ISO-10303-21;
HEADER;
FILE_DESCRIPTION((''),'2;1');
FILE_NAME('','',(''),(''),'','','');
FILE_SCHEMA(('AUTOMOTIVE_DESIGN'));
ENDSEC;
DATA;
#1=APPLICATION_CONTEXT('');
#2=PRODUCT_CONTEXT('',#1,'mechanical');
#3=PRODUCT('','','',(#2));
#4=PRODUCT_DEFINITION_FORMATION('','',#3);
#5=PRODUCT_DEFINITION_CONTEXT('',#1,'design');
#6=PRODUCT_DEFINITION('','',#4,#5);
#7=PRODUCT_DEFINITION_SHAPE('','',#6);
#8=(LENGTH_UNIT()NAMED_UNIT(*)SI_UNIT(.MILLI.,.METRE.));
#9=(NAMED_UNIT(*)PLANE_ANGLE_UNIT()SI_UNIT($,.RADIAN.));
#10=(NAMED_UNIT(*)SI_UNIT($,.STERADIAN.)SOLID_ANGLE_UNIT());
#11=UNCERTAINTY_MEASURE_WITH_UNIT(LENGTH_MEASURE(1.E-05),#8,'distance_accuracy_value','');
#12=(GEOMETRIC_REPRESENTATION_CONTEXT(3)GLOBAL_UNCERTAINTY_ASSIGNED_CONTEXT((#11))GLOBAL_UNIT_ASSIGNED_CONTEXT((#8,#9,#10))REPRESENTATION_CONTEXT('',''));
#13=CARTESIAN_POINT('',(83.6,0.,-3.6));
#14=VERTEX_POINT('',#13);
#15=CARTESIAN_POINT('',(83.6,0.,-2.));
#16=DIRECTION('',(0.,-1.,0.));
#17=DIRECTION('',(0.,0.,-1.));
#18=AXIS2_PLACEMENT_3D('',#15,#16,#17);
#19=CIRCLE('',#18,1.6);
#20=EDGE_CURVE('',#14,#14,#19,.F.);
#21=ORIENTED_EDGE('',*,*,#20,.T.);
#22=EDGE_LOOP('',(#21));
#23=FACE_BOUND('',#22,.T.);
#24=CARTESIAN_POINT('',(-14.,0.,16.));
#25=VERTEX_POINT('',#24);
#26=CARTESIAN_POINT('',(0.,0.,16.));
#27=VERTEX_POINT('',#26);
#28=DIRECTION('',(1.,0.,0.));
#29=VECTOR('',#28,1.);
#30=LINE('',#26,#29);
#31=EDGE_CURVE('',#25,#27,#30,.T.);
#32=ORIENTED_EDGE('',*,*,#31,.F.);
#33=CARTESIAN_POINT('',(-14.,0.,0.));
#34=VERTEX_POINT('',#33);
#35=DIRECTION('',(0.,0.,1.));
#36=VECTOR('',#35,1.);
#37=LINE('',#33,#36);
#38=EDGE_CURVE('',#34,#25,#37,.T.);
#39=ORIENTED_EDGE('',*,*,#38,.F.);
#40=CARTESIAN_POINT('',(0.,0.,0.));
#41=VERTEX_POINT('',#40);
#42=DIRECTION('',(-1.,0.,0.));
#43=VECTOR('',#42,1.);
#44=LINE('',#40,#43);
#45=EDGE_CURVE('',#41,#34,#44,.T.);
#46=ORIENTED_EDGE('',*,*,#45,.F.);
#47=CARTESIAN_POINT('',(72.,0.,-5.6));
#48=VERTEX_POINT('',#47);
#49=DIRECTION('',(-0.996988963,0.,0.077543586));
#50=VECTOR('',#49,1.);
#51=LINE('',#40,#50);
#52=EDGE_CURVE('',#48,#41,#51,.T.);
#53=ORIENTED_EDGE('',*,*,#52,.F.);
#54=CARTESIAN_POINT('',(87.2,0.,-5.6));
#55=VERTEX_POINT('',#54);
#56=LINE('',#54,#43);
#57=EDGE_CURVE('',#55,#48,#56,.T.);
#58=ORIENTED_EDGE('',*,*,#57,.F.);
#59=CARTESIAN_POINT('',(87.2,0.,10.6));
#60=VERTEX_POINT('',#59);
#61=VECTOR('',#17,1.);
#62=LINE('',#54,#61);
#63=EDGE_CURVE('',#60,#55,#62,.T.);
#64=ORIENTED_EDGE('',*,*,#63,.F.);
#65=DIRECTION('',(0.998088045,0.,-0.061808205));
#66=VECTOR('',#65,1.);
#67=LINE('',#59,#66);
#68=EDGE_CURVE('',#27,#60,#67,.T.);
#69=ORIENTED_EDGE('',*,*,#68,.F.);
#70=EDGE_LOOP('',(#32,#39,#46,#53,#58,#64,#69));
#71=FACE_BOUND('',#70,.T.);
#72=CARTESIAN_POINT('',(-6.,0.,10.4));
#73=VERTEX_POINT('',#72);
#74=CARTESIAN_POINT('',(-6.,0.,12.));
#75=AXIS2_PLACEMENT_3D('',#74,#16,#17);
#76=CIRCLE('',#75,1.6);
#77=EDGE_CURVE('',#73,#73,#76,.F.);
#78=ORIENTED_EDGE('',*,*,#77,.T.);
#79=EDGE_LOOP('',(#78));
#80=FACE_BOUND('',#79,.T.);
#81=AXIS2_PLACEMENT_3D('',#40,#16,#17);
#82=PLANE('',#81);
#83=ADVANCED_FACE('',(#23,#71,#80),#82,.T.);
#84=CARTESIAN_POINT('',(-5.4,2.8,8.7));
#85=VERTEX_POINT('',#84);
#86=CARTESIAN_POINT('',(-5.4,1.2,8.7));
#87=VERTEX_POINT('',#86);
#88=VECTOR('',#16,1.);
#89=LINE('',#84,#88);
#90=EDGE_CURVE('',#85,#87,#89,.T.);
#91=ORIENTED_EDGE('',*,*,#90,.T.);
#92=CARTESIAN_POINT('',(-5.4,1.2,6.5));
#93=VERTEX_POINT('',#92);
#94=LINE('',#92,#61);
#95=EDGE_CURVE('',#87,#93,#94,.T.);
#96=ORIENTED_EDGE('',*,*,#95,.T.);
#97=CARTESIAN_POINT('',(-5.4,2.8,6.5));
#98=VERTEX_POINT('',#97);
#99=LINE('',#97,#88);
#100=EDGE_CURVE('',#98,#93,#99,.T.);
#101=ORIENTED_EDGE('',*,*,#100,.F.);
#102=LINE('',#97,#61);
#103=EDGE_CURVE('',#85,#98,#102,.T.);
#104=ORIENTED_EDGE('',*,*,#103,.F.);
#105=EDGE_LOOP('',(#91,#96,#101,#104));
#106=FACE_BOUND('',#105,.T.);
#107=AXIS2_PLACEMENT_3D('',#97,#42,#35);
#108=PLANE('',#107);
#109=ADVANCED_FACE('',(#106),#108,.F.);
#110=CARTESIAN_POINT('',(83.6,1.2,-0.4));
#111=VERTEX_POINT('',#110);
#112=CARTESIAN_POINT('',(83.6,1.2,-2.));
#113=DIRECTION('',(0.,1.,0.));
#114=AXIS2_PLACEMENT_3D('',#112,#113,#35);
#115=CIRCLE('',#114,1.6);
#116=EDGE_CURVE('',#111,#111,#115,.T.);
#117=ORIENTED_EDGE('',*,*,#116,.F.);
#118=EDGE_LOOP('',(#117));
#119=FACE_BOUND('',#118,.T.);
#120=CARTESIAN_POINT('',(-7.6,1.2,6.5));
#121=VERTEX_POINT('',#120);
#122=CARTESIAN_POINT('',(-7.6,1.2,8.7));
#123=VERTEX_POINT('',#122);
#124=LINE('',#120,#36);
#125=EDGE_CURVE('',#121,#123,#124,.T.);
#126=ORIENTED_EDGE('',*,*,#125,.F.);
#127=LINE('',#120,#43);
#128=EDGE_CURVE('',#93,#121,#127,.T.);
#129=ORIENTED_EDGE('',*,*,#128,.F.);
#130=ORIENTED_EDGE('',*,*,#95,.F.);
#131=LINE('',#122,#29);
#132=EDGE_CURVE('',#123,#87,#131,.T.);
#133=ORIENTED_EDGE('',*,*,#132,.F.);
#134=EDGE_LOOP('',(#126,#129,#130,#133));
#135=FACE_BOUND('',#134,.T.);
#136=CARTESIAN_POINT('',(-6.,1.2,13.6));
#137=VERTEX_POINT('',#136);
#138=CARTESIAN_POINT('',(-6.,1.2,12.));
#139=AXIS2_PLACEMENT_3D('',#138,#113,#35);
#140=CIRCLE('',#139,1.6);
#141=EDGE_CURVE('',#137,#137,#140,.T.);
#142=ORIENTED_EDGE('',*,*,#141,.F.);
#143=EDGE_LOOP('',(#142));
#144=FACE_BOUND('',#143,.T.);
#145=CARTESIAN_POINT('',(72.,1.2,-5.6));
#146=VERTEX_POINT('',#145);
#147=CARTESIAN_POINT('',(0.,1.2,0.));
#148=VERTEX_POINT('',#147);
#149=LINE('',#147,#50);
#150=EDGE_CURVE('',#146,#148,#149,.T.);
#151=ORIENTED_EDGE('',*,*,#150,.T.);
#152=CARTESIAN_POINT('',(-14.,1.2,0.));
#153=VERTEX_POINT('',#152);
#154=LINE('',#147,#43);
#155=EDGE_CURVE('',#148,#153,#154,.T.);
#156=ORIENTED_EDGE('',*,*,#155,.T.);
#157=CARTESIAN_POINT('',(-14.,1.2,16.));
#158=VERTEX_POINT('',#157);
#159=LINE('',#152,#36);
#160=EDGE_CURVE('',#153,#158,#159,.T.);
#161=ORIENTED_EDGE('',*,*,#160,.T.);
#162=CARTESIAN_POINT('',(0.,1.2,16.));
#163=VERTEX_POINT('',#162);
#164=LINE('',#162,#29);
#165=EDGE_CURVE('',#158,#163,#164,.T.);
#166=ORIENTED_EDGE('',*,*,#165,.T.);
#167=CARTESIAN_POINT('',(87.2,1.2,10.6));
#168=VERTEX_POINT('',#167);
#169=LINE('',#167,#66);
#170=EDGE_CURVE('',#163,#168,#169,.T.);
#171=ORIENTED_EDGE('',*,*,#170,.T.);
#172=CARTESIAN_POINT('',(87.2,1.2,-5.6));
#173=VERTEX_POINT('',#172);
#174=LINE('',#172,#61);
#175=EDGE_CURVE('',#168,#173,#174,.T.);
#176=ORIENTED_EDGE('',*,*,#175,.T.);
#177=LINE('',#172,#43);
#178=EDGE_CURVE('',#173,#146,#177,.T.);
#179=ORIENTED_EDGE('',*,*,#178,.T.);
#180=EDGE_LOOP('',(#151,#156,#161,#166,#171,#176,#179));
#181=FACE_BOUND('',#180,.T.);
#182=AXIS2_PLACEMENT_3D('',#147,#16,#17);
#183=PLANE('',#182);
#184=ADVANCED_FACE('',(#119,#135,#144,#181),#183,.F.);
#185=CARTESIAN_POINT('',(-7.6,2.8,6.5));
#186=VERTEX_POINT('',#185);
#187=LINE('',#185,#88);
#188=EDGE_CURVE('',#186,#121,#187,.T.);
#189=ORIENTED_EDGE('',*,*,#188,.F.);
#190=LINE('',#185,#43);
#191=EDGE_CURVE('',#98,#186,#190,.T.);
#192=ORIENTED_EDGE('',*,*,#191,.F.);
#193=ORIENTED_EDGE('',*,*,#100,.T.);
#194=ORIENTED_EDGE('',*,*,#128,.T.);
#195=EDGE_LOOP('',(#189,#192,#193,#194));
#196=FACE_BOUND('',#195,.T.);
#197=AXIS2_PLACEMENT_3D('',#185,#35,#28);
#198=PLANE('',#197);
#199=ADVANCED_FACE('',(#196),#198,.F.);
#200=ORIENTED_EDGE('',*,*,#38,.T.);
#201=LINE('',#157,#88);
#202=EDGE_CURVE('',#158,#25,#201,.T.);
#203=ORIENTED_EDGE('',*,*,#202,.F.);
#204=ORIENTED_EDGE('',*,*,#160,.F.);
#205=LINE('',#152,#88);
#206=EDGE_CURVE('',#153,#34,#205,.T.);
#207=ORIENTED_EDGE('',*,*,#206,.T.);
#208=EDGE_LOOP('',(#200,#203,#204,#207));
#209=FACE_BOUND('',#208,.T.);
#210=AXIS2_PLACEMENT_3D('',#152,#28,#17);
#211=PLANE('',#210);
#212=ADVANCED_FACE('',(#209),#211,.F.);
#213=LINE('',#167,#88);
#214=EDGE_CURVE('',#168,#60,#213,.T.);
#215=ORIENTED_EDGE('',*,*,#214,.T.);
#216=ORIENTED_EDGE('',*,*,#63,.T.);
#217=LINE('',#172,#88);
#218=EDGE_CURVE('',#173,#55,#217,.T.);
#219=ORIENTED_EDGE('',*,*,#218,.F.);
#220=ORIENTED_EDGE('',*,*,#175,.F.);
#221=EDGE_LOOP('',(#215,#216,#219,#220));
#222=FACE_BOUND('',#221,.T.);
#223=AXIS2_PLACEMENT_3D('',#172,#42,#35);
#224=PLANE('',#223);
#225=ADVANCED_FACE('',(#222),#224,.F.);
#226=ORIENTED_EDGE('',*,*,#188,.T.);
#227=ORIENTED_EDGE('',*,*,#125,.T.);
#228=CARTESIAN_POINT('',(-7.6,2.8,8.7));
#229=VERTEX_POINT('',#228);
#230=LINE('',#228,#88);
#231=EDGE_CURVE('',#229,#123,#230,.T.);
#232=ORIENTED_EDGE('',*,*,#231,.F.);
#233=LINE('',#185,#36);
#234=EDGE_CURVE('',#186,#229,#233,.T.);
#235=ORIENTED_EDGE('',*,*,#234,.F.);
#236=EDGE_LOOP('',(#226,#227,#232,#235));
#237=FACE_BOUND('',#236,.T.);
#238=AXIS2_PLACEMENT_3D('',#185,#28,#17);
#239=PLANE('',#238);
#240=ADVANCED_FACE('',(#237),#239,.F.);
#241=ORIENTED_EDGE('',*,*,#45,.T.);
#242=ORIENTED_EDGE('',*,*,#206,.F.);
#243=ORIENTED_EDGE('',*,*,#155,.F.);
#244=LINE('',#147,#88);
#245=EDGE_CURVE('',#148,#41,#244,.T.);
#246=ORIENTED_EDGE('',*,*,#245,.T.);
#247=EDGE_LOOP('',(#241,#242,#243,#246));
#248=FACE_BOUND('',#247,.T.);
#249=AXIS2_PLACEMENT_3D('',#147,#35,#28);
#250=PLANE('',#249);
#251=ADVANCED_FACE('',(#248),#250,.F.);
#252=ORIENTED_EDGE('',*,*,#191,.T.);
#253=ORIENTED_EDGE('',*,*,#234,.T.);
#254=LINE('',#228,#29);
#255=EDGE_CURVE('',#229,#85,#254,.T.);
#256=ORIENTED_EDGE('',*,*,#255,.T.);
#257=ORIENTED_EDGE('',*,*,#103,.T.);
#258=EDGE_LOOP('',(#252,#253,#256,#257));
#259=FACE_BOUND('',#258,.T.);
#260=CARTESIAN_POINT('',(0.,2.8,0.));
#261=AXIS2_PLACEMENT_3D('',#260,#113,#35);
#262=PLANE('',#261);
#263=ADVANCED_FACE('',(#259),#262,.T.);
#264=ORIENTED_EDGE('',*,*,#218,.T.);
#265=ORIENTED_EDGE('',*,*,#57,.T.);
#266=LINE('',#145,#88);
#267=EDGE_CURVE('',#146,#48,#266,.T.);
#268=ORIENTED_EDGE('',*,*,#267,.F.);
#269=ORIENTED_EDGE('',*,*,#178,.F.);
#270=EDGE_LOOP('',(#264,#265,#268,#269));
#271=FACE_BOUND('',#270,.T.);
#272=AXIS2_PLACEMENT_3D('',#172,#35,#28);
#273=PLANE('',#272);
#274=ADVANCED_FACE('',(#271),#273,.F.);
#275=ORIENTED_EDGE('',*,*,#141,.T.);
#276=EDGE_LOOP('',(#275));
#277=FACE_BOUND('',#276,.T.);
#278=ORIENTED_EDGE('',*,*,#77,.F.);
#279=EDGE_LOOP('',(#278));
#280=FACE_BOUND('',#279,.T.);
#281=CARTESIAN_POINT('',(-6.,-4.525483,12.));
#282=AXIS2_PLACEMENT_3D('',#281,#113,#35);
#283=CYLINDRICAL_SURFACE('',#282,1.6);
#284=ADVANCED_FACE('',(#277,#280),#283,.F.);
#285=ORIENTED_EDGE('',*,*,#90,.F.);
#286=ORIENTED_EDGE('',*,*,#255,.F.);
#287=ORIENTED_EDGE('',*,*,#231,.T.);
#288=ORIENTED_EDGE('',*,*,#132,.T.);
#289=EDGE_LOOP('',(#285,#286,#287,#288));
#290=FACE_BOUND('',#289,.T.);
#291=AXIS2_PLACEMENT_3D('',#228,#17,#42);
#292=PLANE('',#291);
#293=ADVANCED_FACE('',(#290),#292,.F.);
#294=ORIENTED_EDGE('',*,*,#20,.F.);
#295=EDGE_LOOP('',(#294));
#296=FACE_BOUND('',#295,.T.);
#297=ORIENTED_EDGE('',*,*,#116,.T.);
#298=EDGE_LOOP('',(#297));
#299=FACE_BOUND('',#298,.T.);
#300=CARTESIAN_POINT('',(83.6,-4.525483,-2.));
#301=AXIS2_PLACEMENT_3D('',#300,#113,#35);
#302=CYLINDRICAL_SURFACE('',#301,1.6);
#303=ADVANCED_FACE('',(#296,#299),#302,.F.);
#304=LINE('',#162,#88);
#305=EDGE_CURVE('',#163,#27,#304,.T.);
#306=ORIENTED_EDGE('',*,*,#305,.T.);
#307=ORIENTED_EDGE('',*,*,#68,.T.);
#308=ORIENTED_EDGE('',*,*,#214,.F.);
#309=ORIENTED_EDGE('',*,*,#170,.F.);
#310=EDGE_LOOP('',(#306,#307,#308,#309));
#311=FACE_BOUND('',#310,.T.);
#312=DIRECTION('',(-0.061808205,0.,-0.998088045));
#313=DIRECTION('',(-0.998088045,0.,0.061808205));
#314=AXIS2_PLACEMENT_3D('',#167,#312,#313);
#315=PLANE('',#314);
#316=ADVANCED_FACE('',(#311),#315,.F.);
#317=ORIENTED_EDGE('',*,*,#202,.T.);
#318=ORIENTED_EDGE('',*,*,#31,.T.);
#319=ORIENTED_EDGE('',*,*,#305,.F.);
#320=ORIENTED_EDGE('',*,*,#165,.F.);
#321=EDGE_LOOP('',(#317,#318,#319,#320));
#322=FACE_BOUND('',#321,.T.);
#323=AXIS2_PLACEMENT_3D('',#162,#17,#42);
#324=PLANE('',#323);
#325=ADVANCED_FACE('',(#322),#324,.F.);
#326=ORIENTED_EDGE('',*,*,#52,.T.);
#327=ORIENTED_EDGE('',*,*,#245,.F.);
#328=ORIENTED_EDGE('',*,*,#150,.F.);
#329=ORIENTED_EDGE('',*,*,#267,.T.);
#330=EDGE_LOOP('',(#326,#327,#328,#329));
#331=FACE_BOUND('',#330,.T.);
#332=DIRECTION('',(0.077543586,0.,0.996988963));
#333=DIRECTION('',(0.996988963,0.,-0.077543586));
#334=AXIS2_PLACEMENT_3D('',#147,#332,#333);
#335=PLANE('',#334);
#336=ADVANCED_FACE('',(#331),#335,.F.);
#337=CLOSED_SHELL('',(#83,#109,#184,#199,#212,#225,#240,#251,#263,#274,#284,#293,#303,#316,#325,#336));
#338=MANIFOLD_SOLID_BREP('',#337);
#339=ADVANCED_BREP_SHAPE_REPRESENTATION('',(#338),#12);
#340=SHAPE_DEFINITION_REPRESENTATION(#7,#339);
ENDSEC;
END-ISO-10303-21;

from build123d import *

# Parameters (mm, degrees)
BOSS_EXTRUDE1_DEPTH = 1.2
SKETCH2_R           = 1.6
CUT_EXTRUDE1_DEPTH  = 1.2
SKETCH3_W           = 2.2
SKETCH3_H           = 2.2
BOSS_EXTRUDE2_DEPTH = 1.6


with BuildPart() as part:
    # Sketch1 → Boss-Extrude1 (new body)
    with BuildSketch(Plane(origin=(0, 0, 0), x_dir=(1, 0, 0), z_dir=(0, 1, 0))):
        Polygon((87.2, 5.6), (72, 5.6), (0, 0), (-14, 0), (-14, -16), (0, -16), (87.2, -10.6), align=None)
    extrude(amount=BOSS_EXTRUDE1_DEPTH)

    # Sketch2 → Cut-Extrude1 (cut)
    with BuildSketch(Plane(origin=(0, 1.2, 0), x_dir=(1, 0, 0), z_dir=(0, 1, 0))):
        with Locations((-6, -12)):
            Circle(SKETCH2_R)
        with Locations((83.6, 2)):
            Circle(SKETCH2_R)
    extrude(amount=-CUT_EXTRUDE1_DEPTH, mode=Mode.SUBTRACT)

    # Sketch3 → Boss-Extrude2 (add)
    with BuildSketch(Plane(origin=(0, 1.2, 0), x_dir=(1, 0, 0), z_dir=(0, 1, 0))):
        with Locations((-6.5, -7.6)):
            Rectangle(SKETCH3_W, SKETCH3_H)
    extrude(amount=BOSS_EXTRUDE2_DEPTH)


solid = part.part
